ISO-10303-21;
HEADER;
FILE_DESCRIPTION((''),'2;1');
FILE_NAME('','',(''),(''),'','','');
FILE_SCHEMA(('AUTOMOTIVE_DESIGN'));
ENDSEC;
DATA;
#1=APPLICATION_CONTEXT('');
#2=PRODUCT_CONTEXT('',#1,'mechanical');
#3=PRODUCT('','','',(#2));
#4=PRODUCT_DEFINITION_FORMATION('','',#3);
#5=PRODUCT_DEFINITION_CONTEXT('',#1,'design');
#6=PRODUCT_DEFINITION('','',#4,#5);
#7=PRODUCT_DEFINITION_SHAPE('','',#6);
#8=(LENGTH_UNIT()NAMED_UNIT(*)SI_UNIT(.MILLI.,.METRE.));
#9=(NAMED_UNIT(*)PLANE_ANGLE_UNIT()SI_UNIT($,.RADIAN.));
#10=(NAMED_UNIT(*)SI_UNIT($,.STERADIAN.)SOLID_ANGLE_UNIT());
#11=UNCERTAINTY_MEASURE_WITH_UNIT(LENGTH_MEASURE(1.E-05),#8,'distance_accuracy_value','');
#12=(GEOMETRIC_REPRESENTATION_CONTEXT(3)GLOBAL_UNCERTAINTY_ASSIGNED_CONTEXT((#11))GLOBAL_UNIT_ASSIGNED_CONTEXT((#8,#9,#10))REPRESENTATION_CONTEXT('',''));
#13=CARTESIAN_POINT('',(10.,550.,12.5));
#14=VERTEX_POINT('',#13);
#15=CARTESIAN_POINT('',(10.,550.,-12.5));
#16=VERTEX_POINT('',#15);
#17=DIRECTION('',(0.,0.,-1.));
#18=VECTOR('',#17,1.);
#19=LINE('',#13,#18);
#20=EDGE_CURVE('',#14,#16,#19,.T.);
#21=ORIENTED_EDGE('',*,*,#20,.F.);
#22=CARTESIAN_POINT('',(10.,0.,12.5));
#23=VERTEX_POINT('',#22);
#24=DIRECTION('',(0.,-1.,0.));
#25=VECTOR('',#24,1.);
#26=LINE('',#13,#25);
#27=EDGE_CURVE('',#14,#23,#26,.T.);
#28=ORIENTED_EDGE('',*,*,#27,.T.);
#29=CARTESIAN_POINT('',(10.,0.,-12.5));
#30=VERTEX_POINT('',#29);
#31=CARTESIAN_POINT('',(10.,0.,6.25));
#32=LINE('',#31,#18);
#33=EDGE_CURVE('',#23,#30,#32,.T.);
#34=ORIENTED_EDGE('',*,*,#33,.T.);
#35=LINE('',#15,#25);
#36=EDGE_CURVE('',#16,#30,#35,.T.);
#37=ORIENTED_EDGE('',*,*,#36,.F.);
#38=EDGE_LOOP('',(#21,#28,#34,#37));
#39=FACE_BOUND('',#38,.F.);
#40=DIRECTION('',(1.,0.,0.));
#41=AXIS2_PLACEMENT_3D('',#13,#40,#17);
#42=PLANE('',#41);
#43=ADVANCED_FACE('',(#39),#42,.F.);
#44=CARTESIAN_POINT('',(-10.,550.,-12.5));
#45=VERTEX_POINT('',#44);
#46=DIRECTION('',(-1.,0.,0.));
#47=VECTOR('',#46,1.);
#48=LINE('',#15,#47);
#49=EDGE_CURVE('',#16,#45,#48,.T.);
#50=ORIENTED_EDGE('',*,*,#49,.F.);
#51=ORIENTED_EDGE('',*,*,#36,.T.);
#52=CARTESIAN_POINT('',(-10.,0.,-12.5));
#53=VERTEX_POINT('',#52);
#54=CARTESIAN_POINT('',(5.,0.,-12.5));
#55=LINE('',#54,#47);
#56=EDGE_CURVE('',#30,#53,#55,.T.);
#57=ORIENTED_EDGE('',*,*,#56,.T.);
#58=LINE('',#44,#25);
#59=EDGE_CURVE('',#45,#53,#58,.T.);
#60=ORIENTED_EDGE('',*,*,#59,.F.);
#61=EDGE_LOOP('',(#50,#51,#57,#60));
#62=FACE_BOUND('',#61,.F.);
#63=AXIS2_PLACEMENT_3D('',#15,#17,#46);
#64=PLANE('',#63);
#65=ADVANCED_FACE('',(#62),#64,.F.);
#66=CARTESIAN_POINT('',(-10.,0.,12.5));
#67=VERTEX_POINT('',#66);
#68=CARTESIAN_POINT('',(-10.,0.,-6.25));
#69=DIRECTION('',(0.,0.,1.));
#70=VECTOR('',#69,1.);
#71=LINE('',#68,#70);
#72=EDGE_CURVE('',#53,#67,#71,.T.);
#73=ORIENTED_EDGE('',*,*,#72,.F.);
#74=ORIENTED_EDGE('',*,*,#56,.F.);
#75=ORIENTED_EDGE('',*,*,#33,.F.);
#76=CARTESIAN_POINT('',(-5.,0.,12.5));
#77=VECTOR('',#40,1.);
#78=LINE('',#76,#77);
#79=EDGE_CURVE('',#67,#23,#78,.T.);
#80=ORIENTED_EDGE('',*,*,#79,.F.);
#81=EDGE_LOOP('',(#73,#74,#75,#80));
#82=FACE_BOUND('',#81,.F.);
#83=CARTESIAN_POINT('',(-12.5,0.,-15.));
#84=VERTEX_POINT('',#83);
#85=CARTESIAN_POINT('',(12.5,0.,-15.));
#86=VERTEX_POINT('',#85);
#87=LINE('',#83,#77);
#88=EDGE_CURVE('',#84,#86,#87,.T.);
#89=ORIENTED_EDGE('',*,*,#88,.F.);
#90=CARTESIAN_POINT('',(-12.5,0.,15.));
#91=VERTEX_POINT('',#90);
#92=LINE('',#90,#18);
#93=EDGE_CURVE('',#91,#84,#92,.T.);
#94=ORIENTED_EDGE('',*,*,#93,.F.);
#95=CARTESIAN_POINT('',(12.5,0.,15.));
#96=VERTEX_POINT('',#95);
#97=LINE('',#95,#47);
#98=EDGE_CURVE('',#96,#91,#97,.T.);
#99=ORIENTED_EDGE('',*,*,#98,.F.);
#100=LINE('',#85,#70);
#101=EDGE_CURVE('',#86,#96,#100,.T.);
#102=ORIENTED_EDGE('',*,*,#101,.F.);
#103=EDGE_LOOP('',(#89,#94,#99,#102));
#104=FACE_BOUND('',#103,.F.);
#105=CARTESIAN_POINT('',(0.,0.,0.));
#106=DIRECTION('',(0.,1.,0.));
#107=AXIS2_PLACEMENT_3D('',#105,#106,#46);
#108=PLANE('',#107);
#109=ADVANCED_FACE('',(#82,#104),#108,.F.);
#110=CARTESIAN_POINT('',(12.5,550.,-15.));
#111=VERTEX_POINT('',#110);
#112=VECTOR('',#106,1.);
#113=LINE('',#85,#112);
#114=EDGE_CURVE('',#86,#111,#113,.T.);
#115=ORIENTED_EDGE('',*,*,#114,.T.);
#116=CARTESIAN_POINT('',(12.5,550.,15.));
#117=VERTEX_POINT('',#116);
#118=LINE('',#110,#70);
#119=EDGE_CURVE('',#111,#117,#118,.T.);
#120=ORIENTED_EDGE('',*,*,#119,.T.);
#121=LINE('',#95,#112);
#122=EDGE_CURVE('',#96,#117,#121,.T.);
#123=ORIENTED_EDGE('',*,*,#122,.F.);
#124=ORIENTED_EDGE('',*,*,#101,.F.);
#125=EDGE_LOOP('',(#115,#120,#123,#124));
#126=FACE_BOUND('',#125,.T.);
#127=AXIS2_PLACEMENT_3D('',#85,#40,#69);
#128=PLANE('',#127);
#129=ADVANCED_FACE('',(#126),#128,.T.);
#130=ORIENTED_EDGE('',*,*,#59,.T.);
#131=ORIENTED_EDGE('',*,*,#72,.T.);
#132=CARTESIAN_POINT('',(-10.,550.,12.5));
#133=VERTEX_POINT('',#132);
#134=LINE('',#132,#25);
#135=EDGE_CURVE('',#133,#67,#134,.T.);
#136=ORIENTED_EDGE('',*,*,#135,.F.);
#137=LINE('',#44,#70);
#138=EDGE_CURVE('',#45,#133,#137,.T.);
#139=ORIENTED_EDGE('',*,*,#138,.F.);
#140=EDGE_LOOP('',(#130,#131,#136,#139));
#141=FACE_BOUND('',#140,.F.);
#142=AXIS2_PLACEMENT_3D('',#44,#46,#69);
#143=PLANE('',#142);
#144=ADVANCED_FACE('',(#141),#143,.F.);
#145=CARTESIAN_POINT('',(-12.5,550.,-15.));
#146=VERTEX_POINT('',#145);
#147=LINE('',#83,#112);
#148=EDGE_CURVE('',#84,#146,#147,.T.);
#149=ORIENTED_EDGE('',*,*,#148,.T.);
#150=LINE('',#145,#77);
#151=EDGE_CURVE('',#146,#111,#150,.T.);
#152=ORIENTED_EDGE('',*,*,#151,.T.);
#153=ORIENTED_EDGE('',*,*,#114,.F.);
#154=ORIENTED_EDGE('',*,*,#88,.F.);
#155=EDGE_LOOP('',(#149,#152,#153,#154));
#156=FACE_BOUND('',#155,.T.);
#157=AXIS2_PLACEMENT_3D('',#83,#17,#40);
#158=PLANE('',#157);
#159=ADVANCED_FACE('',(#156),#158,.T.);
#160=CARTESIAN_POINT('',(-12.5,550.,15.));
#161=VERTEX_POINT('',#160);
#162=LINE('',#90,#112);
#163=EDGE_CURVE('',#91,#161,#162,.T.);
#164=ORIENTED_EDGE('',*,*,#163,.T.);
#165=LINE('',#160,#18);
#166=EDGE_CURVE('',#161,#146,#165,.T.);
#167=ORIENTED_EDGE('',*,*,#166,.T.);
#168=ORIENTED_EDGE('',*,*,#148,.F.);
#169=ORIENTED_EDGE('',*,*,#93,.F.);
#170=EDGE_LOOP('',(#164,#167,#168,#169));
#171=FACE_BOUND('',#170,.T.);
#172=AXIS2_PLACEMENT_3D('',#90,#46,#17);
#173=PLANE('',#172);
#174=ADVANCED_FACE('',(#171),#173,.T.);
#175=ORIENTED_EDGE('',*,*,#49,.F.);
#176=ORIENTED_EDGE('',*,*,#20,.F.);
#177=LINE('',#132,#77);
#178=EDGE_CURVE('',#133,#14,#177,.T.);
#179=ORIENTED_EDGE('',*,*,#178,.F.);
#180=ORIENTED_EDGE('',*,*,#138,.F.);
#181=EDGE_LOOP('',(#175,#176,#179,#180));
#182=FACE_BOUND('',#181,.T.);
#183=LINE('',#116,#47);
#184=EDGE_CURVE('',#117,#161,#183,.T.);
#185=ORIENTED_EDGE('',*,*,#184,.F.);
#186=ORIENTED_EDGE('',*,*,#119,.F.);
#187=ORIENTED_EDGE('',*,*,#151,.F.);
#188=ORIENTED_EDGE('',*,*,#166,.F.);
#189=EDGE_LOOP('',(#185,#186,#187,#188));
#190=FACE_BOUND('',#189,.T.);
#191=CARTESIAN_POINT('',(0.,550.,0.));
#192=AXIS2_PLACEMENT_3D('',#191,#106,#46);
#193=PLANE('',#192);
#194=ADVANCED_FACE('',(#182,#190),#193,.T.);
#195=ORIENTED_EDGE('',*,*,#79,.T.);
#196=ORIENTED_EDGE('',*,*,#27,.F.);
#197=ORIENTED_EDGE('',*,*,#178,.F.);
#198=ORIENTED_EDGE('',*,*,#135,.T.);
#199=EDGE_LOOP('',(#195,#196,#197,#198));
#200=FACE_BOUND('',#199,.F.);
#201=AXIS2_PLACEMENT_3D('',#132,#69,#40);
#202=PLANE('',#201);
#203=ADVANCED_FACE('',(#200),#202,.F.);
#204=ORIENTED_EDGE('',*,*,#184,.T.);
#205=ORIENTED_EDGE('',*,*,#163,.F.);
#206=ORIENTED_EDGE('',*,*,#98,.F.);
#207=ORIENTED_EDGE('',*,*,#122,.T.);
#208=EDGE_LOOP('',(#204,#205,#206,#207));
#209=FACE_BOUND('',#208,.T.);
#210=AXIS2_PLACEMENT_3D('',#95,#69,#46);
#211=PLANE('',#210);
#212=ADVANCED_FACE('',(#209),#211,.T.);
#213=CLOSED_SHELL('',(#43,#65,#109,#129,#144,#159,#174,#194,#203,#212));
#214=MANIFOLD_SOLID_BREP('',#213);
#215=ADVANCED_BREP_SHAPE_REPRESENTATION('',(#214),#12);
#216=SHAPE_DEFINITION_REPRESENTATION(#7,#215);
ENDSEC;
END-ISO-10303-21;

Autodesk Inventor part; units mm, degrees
ref_plane "YZ Plane" through (0, 0, 0) normal (1, 0, 0) x (0, 1, 0)
ref_plane "XZ Plane" through (0, 0, 0) normal (0, 1, 0) x (-1, 0, 0)
ref_plane "XY Plane" through (0, 0, 0) normal (0, 0, 1) x (1, 0, 0)
sketch "Sketch1" plane through (0, 0, 0) normal (0, 1, 0) x (-1, 0, 0)
  line L0 (-12.5, 15) -> (12.5, 15)
  line L1 (12.5, 15) -> (12.5, -15)
  line L2 (12.5, -15) -> (-12.5, -15)
  line L3 (-12.5, -15) -> (-12.5, 15)
  line L4 (-12.5, 15) -> (12.5, -15) construction
  line L5 (12.5, 15) -> (-12.5, -15) construction
  point P0 (0, 0)
  dimension "d0" = 30
  dimension "d1" = 25
extrude "Extrusion1" add sketch "Sketch1" along normal blind 550
sketch "Sketch2" plane through (0, 550, 0) normal (0, 1, 0) x (1, 0, 0)
  line L0 (-10, -12.5) -> (10, -12.5)
  line L1 (10, -12.5) -> (10, 12.5)
  line L2 (10, 12.5) -> (-10, 12.5)
  line L3 (-10, 12.5) -> (-10, -12.5)
  line L4 (-10, -12.5) -> (10, 12.5) construction
  line L5 (10, -12.5) -> (-10, 12.5) construction
  point P0 (0, 0)
  dimension "d4" = 25
  dimension "d5" = 20
extrude "Extrusion2" cut sketch "Sketch2" against normal blind 600
properties part number "60 cm trunk"
